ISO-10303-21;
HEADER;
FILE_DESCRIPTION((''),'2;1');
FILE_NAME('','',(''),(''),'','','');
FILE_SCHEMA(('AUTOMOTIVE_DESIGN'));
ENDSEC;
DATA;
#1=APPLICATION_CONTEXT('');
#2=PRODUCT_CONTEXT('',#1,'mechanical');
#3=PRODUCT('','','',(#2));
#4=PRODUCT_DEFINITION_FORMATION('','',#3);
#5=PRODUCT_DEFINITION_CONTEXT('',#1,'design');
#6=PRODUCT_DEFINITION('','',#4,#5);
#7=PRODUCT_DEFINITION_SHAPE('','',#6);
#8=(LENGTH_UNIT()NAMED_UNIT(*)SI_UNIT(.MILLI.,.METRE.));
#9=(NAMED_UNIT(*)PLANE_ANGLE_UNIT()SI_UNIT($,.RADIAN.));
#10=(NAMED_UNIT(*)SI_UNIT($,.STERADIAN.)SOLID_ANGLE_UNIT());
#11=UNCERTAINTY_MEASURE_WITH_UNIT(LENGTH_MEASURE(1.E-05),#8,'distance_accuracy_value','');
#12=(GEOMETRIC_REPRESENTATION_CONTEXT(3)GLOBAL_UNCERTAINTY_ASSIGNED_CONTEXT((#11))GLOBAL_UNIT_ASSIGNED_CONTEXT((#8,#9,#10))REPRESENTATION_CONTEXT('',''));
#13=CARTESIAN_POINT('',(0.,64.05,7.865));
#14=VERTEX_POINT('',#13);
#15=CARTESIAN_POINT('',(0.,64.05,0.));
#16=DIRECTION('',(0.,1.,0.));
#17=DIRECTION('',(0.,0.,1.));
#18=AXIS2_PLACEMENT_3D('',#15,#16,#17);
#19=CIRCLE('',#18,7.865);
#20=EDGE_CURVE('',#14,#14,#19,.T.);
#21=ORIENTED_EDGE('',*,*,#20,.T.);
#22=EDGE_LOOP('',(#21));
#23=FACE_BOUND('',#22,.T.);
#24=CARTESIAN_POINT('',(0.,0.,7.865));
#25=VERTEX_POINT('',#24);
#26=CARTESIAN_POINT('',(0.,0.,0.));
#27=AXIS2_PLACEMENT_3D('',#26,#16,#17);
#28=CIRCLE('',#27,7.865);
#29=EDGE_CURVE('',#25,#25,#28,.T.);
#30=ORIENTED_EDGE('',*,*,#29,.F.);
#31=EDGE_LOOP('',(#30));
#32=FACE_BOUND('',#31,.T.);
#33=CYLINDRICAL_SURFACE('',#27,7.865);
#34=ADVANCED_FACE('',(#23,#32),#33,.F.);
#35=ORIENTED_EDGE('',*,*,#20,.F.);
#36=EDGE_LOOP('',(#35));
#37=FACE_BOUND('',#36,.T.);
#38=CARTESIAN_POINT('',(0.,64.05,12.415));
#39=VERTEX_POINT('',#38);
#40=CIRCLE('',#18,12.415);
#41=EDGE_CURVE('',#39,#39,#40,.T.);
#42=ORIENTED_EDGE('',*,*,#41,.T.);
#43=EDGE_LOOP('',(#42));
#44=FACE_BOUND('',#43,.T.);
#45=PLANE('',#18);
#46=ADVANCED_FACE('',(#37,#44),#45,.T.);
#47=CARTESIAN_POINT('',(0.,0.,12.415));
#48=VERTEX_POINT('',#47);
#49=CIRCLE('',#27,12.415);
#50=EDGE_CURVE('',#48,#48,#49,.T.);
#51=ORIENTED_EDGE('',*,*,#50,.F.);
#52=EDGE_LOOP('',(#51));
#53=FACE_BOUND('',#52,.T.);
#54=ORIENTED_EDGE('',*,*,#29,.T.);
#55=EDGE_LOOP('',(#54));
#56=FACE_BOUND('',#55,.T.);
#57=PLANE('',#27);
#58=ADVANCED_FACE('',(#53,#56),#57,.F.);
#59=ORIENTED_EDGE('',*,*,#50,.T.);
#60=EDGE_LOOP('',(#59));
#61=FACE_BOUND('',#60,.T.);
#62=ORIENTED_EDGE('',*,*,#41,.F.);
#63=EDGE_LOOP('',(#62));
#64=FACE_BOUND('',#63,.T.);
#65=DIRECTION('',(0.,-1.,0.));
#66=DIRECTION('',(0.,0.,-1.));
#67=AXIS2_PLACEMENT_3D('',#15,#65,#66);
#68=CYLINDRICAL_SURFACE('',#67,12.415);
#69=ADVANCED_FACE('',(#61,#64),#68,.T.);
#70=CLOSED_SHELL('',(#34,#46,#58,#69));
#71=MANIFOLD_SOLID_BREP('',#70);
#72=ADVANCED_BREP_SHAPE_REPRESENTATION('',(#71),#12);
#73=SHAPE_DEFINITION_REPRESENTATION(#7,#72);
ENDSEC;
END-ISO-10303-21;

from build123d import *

# Parameters (mm, degrees)
SKETCH1_R           = 12.415
BOSS_EXTRUDE1_DEPTH = 64.05
SKETCH2_R           = 7.865
CUT_EXTRUDE1_DEPTH  = 64.05


with BuildPart() as part:
    # Sketch1 → Boss-Extrude1 (new body)
    with BuildSketch(Plane(origin=(0, 0, 0), x_dir=(1, 0, 0), z_dir=(0, 1, 0))):
        with Locations(Location((0, 0, 0), (0, 0, 270))):
            Circle(SKETCH1_R)
    extrude(amount=BOSS_EXTRUDE1_DEPTH)

    # Sketch2 → Cut-Extrude1 (cut)
    with BuildSketch(Plane(origin=(0, 64.05, 0), x_dir=(1, 0, 0), z_dir=(0, 1, 0))):
        with Locations(Location((0, 0, 0), (0, 0, 270))):
            Circle(SKETCH2_R)
    extrude(amount=-CUT_EXTRUDE1_DEPTH, mode=Mode.SUBTRACT)


solid = part.part
